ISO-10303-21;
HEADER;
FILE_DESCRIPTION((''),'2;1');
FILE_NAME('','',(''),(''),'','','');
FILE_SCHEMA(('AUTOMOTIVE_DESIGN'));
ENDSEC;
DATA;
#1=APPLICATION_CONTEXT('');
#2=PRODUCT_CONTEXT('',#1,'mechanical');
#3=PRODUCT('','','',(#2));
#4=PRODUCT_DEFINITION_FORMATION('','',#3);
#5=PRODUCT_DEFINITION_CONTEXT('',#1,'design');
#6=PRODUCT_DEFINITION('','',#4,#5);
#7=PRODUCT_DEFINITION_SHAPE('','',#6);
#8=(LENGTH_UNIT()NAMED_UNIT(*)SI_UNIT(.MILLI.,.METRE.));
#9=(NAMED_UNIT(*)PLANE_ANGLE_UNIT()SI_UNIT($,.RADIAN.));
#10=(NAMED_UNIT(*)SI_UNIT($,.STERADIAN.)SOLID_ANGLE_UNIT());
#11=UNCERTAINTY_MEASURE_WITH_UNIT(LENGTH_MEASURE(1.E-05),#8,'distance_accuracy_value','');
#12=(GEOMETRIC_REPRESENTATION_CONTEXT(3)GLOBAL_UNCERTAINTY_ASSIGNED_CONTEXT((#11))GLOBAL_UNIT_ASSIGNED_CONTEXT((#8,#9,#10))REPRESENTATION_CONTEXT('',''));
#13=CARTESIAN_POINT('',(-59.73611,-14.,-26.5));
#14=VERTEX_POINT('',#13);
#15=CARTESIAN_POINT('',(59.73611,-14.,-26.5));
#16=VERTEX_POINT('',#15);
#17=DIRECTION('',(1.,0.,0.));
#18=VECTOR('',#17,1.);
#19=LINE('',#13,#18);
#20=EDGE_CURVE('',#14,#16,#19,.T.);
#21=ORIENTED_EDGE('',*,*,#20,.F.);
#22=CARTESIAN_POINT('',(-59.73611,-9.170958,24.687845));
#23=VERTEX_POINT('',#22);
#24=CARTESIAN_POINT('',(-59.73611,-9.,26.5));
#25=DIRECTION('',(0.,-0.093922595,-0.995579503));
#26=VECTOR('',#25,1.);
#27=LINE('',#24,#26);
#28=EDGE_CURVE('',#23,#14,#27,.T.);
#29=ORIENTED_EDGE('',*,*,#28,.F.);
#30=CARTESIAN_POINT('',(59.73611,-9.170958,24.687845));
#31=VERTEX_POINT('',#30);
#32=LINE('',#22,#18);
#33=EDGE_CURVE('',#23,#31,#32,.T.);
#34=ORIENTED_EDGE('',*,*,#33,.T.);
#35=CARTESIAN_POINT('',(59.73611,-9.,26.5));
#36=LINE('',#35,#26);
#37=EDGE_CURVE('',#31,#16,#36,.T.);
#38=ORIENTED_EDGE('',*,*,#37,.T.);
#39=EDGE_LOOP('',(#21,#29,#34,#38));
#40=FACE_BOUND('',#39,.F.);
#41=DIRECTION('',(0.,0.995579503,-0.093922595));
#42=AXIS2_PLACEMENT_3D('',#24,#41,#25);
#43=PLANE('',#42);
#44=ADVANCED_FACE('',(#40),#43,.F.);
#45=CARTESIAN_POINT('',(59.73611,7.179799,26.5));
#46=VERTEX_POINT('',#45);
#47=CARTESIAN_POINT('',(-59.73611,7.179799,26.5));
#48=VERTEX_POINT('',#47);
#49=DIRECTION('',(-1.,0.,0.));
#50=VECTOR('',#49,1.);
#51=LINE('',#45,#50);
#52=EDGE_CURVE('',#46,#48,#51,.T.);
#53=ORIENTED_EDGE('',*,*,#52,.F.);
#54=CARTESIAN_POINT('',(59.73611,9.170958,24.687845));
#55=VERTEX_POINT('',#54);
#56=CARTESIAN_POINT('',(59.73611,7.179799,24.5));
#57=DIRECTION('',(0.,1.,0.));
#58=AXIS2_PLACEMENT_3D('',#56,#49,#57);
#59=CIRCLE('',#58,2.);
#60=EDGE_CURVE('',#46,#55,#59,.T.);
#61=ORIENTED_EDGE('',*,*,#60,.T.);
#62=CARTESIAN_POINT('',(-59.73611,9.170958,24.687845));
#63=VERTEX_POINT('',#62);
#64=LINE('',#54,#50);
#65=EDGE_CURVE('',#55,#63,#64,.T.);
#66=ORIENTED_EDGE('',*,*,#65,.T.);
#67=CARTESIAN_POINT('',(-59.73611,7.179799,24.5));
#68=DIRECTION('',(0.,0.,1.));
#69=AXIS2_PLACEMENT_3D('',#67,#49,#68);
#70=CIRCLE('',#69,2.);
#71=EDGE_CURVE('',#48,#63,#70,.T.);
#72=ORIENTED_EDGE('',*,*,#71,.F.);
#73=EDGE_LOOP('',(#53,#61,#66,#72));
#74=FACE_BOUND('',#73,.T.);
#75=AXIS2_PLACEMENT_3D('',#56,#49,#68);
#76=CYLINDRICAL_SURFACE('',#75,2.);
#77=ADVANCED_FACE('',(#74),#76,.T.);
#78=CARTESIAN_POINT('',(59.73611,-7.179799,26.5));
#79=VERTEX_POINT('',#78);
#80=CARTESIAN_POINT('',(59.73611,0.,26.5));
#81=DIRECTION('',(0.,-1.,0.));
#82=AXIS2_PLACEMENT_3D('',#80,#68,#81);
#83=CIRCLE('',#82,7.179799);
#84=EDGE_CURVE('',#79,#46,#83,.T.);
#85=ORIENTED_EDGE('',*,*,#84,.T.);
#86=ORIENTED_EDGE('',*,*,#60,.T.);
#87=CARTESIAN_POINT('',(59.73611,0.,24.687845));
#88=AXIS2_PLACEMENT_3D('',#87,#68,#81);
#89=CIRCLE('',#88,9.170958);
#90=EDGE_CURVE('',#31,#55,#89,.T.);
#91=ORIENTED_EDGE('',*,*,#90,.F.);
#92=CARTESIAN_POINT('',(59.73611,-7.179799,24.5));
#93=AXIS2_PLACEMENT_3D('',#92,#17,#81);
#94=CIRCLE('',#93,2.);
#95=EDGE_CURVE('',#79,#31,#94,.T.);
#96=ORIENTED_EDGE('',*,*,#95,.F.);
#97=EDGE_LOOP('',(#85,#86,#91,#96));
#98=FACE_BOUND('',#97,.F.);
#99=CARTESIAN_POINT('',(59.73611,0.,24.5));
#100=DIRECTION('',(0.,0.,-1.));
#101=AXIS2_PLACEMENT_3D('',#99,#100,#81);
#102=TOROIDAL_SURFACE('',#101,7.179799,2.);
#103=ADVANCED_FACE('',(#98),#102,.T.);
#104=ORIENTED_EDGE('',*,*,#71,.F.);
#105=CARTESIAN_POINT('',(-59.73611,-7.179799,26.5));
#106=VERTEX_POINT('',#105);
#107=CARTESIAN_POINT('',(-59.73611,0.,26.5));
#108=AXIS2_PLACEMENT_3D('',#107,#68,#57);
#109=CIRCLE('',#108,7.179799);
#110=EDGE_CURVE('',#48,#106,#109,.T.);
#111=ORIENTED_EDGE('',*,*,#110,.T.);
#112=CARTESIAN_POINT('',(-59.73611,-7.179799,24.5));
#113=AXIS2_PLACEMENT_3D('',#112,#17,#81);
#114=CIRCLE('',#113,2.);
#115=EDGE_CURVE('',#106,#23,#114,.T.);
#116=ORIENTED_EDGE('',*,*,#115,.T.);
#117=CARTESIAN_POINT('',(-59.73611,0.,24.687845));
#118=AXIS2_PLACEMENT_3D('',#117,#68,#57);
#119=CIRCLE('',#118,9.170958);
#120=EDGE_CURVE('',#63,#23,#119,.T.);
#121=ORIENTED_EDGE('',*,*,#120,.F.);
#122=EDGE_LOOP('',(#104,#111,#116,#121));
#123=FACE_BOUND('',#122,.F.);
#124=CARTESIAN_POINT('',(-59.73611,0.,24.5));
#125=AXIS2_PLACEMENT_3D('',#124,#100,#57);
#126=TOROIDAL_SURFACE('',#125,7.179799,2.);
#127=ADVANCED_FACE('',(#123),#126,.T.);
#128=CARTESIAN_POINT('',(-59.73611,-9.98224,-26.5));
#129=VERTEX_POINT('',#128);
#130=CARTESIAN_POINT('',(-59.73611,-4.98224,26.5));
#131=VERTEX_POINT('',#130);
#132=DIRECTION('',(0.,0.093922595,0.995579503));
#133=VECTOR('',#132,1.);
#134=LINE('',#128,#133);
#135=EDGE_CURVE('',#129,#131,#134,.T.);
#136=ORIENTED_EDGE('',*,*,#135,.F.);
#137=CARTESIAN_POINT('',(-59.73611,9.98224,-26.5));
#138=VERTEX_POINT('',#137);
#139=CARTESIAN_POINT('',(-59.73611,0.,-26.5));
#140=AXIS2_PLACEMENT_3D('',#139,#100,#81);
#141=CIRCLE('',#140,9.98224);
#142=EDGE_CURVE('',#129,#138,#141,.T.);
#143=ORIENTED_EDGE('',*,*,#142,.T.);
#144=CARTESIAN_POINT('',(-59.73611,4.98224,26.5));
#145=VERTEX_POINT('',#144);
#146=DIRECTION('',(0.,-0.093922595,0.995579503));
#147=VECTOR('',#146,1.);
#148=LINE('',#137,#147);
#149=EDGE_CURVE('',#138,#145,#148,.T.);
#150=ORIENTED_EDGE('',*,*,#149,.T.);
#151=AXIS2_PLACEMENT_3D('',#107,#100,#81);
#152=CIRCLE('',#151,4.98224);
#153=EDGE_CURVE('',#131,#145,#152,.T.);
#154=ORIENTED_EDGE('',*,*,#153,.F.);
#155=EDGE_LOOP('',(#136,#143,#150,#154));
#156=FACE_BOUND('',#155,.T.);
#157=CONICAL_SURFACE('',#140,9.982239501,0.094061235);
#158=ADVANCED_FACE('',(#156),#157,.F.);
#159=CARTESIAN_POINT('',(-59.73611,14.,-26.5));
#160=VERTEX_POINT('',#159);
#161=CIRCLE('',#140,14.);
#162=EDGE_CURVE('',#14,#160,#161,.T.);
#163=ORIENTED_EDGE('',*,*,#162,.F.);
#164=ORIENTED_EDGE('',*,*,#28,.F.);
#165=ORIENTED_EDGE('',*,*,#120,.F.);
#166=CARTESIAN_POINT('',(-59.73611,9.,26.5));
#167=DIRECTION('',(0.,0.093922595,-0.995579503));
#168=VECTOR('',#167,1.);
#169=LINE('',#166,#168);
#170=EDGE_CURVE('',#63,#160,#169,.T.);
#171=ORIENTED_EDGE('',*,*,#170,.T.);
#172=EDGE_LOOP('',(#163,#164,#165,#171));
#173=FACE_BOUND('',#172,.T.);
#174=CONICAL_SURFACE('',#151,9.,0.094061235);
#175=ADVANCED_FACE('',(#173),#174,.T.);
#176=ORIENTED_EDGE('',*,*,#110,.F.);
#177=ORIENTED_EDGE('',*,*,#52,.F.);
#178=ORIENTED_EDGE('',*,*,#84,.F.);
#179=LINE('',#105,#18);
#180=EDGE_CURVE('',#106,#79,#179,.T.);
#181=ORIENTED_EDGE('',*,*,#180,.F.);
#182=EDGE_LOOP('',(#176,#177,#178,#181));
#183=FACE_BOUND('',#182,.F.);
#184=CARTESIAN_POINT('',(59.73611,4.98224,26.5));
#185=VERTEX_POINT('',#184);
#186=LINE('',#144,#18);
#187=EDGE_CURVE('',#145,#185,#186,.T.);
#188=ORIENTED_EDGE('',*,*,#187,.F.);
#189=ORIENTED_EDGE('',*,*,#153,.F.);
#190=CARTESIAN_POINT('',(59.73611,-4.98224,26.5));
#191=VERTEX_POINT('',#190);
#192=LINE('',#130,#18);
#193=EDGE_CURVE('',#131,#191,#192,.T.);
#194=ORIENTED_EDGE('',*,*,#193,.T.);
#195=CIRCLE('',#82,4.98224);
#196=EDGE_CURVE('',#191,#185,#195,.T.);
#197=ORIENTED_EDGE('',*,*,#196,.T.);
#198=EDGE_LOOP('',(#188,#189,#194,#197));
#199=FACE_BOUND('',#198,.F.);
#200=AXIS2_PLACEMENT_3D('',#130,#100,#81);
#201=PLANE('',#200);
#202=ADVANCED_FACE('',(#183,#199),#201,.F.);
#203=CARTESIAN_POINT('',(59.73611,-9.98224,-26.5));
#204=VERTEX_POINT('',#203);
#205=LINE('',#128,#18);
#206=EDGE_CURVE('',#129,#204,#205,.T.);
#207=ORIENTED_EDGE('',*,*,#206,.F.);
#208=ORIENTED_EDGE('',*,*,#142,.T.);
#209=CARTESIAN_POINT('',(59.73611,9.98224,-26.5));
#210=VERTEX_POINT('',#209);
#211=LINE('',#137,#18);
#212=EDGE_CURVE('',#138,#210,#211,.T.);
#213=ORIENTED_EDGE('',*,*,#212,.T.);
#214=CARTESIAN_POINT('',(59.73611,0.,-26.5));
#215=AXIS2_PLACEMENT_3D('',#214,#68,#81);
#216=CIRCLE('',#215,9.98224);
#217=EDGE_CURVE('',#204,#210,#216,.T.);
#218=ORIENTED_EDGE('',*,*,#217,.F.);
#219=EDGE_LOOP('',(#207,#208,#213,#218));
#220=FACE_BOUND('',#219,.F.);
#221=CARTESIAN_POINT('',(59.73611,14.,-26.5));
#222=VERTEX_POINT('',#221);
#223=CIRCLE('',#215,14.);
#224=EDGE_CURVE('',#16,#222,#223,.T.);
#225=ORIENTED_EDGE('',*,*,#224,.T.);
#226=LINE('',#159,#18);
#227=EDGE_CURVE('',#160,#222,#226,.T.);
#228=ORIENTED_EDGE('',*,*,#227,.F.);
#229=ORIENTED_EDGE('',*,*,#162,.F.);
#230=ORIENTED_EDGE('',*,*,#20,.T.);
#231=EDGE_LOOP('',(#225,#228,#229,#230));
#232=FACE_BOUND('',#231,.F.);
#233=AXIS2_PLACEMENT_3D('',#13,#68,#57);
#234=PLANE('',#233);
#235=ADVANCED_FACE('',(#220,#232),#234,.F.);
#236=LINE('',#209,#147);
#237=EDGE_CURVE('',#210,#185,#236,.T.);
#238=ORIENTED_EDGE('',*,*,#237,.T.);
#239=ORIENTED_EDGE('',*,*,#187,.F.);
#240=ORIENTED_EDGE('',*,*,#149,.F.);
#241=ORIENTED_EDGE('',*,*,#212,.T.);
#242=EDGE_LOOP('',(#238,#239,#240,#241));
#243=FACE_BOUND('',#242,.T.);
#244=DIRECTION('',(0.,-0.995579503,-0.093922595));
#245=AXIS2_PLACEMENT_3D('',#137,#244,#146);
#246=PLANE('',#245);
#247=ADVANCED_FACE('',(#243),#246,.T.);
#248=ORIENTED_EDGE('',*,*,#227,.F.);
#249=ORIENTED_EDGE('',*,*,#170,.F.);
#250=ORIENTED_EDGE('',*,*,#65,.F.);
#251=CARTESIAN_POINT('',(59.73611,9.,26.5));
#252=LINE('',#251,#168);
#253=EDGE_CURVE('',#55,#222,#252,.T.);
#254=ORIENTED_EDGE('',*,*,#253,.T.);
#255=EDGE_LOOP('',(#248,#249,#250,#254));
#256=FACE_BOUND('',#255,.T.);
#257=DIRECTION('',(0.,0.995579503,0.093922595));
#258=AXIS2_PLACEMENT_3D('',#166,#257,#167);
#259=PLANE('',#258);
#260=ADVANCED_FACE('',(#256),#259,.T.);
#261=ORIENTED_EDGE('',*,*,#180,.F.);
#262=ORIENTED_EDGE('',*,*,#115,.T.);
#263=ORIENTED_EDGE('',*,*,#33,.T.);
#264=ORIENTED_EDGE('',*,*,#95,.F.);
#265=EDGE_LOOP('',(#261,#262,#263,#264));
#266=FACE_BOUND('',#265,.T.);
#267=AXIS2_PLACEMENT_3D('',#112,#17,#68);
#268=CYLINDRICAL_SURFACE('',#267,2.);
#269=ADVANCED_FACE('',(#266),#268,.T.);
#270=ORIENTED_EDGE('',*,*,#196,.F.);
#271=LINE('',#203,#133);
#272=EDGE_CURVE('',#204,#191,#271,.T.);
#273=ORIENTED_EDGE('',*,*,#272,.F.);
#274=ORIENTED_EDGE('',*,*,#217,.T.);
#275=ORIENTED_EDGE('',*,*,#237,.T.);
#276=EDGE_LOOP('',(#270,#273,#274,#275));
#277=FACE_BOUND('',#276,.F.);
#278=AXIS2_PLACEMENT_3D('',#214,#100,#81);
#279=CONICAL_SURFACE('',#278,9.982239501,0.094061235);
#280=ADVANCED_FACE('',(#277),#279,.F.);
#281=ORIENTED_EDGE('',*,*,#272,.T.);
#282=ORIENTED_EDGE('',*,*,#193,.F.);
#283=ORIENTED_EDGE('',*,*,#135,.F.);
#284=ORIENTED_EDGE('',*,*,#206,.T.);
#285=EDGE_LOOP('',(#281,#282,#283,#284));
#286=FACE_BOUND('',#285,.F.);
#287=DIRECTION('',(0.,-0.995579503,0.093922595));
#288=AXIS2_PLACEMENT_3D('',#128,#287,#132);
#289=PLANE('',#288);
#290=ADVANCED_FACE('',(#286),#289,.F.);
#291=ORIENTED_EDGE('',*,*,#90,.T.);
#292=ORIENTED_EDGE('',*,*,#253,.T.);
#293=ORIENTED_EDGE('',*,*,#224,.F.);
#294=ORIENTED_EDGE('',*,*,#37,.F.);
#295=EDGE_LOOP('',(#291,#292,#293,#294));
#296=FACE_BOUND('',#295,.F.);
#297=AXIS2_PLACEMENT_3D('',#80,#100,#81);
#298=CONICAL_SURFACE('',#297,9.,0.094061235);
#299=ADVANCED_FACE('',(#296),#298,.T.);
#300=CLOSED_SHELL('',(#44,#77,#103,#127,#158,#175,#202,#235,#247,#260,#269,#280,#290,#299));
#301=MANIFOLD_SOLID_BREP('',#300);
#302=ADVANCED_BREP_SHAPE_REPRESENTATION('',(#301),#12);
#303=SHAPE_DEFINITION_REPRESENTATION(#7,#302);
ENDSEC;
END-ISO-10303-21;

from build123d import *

# Parameters (mm, degrees)
F1_ANGLE_BACK = 90
F1_ANGLE      = 180
F3_DEPTH      = 119.4722198035
F4_R          = 2


with BuildPart() as f1:
    # F0 (on Front) → F1 (revolve)
    with BuildSketch(Plane.XZ, mode=Mode.PRIVATE) as f1_sk:
        Polygon((-73.7361099018, -26.5), (-69.7183494024, -26.5), (-64.7183494024, 26.5), (-68.7361099018, 26.5), align=None)
    revolve(f1_sk.sketch.rotate(Axis((-59.7361099018, 0, 0), (0, 0, -1)), -F1_ANGLE_BACK), axis=Axis((-59.7361099018, 0, 0), (0, 0, -1)), revolution_arc=F1_ANGLE)


with BuildPart() as f2_1:
    # F2: instance of F1
    add(f1.part.mirror(Plane.YZ))


with BuildPart() as f1_1:
    add(f1.part)

    # F3 (add, through all): faces of the model
    f3_faces = [f1_1.faces().sort_by_distance(p)[0] for p in [
        (-59.7361099018, -9.4911197503, 0),
        (-59.7361099018, 9.4911197503, 0),
    ]]

    add(f2_1.part)  # F3 merges F2_1
    extrude(f3_faces, amount=F3_DEPTH)

    # F4
    f4_edges = [f1_1.edges().sort_by_distance(p)[0] for p in [
        (68.73611, 0, 26.5),
    ]]
    fillet(f4_edges, radius=F4_R)


solid = f1_1.part
